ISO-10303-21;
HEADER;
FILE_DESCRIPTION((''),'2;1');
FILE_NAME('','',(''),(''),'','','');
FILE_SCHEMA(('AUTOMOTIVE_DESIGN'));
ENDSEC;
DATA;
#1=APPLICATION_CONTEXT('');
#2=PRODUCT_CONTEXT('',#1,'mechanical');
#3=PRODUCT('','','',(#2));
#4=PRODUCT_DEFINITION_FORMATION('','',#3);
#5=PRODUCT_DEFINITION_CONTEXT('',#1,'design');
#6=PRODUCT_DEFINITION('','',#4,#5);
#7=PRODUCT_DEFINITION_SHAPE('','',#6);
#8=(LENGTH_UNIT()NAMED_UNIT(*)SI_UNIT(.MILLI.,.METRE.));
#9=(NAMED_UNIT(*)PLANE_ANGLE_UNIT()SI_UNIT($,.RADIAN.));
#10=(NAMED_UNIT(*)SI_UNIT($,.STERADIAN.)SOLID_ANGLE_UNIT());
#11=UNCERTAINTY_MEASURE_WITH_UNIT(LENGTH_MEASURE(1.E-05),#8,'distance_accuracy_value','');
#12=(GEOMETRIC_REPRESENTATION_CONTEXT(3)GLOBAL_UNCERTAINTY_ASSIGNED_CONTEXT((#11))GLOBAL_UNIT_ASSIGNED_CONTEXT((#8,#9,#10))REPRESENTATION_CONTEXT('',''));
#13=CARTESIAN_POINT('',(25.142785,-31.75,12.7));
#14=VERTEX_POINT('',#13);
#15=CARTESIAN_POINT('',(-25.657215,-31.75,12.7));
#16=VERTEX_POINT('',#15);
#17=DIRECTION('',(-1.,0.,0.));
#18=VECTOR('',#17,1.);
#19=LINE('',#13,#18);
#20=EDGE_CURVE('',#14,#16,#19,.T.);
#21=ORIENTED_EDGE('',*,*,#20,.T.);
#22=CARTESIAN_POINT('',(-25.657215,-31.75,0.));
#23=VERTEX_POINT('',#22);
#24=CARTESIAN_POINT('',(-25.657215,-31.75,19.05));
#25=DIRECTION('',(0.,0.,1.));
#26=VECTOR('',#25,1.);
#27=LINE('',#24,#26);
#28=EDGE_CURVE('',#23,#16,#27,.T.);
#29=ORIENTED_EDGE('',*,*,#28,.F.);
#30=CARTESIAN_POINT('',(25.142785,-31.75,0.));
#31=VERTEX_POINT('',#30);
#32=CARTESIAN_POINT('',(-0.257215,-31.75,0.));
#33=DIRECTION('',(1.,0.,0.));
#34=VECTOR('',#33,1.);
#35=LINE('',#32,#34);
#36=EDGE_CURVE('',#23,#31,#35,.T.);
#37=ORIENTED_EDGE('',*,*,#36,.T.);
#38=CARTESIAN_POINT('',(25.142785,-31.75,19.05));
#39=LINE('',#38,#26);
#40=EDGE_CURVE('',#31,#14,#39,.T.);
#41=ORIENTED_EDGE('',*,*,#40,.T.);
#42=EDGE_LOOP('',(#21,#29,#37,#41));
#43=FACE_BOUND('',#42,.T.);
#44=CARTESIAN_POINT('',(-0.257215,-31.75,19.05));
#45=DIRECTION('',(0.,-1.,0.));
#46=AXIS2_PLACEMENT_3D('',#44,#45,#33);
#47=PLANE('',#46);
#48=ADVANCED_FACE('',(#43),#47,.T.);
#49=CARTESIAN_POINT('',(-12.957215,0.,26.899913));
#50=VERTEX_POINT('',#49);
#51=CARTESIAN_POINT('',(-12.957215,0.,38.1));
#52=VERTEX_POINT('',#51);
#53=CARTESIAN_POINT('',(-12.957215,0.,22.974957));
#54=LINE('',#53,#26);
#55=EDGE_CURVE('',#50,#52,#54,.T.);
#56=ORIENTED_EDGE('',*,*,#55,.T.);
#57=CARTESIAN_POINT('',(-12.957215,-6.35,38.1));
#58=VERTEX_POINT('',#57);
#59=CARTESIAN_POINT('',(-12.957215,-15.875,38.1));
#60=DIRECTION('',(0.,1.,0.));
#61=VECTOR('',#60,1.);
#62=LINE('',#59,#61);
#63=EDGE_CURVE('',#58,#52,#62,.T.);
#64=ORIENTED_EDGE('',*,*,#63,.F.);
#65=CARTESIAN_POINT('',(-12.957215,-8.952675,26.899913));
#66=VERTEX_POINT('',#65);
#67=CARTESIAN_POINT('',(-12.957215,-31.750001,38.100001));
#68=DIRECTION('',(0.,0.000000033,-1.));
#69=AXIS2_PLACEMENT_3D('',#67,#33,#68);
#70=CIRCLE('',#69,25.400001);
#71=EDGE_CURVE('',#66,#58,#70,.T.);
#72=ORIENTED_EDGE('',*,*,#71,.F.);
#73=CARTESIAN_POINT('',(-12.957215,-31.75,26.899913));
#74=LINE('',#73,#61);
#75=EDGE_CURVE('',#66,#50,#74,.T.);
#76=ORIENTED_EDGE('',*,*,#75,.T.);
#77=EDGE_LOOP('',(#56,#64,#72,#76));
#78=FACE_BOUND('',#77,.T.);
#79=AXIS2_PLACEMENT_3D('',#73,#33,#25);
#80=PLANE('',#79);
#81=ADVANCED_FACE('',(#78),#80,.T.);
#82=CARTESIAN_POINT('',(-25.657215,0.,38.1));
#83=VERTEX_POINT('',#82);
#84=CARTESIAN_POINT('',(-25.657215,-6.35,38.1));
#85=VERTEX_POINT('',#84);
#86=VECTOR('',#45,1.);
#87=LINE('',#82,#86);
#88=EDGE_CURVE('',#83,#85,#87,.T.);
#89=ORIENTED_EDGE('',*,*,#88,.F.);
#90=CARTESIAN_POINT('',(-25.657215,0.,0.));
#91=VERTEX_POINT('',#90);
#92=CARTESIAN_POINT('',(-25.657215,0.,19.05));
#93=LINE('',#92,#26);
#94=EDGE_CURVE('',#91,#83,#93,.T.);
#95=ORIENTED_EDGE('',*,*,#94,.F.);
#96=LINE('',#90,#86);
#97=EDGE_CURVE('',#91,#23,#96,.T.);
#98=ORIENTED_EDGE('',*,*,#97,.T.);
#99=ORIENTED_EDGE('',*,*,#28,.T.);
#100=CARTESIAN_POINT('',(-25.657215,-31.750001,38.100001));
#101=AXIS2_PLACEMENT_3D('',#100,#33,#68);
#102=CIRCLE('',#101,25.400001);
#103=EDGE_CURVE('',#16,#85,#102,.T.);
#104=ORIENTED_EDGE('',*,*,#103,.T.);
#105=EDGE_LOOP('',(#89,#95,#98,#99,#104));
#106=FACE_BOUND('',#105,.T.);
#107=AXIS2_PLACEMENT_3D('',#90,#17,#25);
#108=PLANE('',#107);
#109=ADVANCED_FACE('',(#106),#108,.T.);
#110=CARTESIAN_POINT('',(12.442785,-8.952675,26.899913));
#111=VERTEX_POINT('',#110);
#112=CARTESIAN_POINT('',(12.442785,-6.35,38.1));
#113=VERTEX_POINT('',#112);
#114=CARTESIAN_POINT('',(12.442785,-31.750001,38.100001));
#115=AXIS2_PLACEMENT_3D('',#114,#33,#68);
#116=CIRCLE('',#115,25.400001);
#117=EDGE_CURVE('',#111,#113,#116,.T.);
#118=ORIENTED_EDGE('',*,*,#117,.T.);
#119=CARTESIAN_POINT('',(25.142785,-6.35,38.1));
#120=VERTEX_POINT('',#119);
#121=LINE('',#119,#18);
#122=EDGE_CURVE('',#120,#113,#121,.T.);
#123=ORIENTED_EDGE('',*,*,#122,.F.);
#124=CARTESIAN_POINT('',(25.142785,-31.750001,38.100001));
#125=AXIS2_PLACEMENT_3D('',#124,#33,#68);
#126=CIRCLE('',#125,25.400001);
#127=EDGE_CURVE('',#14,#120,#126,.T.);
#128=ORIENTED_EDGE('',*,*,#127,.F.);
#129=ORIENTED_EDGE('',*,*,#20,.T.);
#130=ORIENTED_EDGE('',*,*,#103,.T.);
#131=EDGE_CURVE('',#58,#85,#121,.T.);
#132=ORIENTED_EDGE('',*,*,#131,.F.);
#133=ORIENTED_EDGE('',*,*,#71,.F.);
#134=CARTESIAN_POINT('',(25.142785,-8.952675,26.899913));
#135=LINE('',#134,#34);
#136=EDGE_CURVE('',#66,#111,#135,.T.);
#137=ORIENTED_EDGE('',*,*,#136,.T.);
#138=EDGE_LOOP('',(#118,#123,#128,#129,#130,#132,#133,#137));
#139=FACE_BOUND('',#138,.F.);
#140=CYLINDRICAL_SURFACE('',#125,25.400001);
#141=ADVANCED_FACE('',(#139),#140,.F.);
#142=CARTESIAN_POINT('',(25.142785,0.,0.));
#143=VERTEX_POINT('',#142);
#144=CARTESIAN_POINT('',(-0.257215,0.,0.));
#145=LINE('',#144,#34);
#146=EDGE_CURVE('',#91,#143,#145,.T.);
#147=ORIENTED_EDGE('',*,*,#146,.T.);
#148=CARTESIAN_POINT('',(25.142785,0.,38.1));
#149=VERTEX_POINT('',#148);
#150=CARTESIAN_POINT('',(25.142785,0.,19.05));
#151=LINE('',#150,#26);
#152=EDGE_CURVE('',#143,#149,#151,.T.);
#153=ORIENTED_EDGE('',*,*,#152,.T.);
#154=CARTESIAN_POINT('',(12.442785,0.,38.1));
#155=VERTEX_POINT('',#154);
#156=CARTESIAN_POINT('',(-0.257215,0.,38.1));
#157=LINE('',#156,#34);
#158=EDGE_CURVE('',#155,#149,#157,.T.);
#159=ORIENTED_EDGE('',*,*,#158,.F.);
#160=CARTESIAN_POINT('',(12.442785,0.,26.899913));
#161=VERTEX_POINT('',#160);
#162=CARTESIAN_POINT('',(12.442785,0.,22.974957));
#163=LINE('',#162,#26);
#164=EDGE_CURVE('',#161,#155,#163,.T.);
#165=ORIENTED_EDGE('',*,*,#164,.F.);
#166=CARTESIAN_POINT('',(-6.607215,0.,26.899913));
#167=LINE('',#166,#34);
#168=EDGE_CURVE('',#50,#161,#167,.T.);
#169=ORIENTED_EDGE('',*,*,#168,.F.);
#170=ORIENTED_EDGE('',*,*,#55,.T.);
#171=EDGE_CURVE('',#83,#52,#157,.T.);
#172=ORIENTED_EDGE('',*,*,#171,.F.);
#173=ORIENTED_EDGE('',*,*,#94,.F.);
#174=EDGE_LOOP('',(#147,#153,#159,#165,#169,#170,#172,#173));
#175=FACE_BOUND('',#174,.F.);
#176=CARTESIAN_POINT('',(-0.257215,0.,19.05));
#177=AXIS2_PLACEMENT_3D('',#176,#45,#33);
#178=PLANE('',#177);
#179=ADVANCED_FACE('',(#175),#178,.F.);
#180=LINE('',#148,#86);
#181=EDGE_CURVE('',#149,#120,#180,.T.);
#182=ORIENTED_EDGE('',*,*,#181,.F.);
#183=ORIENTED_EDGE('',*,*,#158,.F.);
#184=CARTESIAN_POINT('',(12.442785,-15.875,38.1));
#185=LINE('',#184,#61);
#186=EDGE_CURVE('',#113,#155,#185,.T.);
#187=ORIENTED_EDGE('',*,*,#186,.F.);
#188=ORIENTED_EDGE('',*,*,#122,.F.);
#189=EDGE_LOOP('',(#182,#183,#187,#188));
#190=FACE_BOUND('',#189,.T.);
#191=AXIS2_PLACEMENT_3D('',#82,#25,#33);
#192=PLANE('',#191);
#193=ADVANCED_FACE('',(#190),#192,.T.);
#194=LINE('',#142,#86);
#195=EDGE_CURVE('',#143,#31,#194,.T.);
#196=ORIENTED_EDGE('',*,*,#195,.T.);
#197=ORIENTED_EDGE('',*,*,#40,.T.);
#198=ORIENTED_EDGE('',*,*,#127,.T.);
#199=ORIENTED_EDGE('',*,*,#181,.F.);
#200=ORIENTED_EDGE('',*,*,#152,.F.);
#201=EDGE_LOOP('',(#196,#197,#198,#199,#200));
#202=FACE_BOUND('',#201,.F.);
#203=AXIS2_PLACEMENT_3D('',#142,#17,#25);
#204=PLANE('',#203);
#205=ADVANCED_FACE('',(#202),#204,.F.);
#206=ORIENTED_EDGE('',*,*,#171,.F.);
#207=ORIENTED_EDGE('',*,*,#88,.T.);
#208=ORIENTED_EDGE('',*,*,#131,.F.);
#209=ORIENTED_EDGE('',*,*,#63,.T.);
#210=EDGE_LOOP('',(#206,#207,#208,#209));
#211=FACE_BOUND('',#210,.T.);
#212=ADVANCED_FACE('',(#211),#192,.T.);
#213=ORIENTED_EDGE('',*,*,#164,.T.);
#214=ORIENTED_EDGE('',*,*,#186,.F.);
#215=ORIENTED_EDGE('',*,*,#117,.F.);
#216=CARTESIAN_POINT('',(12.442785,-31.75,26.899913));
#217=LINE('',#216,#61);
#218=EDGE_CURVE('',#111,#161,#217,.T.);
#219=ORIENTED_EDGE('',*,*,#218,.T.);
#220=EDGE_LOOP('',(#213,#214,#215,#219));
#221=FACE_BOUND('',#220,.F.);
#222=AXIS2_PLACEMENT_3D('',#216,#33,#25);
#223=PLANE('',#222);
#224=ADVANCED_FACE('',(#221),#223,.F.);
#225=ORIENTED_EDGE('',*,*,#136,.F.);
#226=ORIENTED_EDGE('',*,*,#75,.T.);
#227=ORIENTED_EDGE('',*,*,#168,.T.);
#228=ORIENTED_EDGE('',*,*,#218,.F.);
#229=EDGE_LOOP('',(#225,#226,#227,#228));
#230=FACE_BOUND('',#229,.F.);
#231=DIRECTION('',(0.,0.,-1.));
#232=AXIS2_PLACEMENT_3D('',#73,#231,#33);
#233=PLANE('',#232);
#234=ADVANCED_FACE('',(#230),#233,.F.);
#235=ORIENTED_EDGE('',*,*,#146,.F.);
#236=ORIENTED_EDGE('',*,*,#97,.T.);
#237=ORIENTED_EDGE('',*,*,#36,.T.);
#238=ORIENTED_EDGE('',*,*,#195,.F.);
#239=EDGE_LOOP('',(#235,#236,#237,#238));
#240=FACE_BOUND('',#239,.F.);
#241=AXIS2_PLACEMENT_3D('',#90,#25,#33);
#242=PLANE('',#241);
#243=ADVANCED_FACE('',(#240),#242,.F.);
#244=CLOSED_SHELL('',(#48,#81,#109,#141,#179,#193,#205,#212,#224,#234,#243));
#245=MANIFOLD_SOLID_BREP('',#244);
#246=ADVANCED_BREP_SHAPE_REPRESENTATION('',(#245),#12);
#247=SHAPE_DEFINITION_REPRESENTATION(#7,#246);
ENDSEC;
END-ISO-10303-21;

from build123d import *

# Parameters (mm, degrees)
F0_W     = 50.8
F0_H     = 38.1
F1_DEPTH = 31.75
F3_DEPTH = 50.801
F4_W     = 25.4
F4_H     = 11.23293
F5_DEPTH = 31.751


with BuildPart() as f1:
    # F0 (on Front) → F1 (new body)
    with BuildSketch(Plane.XZ):
        with Locations((-0.257215, 19.05)):
            Rectangle(F0_W, F0_H)
    extrude(amount=F1_DEPTH)

    # F2 (on face) → F3 (cut, through all)
    with BuildSketch(Plane.YZ.offset(25.142785)):
        with BuildLine():
            ThreePointArc((-31.75, 12.7), (-13.789488, 20.139488), (-6.35, 38.1))
            Line((-6.35, 38.1), (-31.75, 38.1))
            Line((-31.75, 38.1), (-31.75, 12.7))
        make_face()
    extrude(amount=-F3_DEPTH, mode=Mode.SUBTRACT)

    # F4 (on face) → F5 (cut, through all)
    with BuildSketch(Plane.XZ.offset(31.75)):
        with Locations((-0.257215, 32.516378)):
            Rectangle(F4_W, F4_H)
    extrude(amount=-F5_DEPTH, mode=Mode.SUBTRACT)


solid = f1.part
